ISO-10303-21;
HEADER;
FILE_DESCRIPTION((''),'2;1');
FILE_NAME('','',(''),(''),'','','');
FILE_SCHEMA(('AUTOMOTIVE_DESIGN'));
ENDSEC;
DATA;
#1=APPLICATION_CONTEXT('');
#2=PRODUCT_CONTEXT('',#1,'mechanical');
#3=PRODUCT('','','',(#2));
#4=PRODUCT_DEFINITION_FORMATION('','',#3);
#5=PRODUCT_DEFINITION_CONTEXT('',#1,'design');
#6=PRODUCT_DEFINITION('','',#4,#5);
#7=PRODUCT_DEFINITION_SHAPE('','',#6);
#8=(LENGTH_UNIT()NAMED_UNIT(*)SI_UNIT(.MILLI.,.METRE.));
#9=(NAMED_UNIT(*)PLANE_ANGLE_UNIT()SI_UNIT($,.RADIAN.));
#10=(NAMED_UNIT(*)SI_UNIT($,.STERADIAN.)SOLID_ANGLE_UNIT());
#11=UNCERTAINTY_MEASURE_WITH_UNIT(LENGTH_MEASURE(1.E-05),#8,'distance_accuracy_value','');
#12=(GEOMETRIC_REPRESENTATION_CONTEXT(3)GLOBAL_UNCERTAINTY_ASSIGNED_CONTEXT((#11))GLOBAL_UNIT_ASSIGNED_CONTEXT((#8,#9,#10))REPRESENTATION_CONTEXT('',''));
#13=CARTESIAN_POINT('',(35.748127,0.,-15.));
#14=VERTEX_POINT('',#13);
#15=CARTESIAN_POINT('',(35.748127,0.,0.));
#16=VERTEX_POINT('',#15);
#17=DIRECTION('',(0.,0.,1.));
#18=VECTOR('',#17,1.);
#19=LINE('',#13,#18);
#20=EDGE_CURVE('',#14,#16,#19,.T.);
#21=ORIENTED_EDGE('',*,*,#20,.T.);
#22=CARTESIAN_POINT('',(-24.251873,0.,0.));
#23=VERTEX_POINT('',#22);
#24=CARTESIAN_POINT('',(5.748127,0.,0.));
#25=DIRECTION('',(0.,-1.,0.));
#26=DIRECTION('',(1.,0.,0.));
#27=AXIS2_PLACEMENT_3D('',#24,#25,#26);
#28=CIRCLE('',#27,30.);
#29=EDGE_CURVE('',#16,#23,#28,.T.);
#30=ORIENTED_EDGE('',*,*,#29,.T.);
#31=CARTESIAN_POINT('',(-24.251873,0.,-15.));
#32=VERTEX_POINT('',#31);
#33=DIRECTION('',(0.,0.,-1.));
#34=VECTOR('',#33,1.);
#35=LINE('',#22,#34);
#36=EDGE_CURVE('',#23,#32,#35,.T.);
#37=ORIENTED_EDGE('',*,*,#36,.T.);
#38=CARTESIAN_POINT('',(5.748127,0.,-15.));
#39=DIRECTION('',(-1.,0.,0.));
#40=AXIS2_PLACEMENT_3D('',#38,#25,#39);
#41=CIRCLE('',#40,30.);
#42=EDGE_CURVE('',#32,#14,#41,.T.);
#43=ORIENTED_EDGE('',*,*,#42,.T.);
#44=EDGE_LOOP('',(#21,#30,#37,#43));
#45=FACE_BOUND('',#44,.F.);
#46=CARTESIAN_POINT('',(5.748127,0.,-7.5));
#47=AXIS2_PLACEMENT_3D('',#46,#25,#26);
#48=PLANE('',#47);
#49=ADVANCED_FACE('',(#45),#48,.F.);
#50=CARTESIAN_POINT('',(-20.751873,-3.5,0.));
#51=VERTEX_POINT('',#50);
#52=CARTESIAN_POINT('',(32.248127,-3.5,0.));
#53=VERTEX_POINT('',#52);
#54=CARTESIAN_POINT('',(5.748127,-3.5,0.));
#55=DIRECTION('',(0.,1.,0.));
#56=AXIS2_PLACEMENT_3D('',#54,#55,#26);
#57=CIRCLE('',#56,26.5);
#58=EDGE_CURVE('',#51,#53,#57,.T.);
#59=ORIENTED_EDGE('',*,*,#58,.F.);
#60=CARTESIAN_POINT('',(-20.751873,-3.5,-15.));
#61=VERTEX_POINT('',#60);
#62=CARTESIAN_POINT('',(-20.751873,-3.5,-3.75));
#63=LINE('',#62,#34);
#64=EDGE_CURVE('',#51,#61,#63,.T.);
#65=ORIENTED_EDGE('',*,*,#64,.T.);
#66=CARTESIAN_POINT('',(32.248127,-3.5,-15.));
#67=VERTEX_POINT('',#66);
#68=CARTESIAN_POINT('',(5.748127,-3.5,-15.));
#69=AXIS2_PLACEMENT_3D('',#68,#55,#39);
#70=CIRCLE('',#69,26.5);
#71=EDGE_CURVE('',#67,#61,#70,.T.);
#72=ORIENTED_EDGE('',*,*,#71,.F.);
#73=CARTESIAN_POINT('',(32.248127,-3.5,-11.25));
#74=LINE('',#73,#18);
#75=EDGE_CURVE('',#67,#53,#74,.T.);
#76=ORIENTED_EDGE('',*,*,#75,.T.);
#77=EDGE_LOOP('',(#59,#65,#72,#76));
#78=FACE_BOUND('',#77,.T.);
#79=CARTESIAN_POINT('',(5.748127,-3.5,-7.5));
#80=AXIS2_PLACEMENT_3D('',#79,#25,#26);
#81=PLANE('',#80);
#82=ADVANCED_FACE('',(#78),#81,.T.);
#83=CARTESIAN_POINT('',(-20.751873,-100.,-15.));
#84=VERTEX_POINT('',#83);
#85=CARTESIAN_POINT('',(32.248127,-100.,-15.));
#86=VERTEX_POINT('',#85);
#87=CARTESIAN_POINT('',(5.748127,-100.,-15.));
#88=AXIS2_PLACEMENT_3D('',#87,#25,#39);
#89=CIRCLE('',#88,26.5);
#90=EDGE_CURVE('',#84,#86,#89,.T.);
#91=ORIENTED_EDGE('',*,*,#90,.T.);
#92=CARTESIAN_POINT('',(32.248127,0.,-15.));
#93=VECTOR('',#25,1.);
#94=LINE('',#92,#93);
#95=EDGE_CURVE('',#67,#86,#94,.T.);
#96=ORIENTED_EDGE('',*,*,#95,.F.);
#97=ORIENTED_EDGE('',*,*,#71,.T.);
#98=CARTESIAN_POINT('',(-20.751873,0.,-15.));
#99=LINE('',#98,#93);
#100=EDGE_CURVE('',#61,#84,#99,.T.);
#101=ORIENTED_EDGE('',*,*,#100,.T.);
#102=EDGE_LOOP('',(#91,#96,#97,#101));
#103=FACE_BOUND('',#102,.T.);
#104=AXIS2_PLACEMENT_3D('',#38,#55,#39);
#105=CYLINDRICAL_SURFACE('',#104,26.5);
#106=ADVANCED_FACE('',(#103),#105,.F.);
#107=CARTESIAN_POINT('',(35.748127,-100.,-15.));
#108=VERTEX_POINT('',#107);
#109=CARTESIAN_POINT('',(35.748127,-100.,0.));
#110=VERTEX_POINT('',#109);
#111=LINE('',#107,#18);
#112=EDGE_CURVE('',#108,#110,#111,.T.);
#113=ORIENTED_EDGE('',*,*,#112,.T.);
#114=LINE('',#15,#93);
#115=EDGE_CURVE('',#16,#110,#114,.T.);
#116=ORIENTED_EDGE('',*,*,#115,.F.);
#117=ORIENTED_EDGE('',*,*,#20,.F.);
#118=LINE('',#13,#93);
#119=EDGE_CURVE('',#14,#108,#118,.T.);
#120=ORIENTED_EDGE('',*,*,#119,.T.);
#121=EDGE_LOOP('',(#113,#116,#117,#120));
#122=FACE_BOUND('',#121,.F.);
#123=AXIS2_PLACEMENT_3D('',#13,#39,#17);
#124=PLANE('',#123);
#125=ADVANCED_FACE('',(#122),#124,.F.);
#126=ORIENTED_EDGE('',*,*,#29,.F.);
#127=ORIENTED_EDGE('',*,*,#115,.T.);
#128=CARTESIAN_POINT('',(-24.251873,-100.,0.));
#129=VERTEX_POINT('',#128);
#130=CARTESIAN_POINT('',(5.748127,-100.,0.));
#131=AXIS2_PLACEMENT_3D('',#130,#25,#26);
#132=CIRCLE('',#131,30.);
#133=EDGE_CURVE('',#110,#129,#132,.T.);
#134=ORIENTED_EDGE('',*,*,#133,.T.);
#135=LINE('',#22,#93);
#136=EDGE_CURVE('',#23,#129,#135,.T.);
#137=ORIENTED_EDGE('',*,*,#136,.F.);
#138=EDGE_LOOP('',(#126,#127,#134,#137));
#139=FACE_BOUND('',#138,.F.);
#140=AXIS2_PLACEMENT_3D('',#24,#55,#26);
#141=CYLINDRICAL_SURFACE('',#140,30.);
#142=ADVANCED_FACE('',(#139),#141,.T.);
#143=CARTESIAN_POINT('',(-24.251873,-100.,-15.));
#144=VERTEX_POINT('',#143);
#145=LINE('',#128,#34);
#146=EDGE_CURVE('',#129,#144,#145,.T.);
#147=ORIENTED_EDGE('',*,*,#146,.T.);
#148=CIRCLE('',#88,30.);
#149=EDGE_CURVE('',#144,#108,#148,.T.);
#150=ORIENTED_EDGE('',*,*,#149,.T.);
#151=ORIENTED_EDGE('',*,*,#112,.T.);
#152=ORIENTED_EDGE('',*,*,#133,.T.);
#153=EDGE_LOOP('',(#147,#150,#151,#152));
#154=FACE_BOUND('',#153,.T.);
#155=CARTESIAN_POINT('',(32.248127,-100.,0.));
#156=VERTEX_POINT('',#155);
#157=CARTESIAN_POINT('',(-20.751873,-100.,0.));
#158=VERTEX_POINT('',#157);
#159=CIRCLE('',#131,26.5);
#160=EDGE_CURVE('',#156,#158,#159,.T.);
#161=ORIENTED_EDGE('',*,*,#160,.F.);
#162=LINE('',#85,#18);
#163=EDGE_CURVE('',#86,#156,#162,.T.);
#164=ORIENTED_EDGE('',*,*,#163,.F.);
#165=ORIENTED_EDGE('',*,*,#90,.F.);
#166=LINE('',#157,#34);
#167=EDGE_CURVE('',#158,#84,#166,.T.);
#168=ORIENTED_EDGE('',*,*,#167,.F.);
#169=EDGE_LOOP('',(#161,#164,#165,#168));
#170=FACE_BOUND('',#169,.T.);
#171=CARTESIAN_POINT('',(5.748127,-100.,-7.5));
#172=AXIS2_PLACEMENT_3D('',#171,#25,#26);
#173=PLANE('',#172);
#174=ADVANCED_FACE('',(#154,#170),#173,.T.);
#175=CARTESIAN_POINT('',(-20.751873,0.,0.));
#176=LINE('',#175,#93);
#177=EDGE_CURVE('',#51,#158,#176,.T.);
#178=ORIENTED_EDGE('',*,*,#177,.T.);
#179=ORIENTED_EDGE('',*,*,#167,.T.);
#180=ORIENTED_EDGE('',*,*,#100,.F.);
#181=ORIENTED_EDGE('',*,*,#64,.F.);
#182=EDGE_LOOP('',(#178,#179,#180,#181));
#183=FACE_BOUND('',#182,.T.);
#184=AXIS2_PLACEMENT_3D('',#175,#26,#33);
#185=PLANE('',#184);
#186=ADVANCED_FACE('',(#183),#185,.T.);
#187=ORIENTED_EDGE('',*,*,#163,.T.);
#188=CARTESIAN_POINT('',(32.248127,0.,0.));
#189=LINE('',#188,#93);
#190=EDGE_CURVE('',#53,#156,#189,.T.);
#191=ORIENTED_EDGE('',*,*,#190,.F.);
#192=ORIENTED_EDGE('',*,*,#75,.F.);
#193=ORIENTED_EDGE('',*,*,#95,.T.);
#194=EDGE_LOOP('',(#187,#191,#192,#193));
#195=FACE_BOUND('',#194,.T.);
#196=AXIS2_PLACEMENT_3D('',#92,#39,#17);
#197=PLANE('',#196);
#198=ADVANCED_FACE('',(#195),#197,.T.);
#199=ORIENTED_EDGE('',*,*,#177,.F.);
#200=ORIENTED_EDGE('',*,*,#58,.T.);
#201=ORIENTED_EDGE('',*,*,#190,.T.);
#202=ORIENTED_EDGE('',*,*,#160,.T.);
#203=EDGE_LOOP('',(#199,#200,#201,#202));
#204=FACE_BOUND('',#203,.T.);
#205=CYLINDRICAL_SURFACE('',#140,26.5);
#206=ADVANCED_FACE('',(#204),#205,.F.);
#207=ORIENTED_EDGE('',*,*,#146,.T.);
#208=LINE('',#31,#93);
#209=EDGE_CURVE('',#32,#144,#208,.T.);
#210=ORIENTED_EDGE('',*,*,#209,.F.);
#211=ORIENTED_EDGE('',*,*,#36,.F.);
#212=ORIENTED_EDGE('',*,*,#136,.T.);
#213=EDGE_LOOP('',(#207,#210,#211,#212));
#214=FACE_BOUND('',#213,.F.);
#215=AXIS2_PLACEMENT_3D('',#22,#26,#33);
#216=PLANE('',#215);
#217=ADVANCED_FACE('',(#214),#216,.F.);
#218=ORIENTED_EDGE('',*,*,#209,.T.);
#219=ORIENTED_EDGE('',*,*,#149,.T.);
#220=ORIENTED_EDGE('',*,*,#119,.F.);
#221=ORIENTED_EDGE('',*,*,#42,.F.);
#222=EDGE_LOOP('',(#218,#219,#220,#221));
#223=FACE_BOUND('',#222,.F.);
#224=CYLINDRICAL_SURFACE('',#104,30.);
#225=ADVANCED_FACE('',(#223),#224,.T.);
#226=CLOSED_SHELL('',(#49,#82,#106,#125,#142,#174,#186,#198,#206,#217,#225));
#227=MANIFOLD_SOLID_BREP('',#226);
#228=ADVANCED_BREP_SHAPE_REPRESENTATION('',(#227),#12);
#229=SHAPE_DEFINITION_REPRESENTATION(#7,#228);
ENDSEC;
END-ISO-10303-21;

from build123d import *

# Parameters (mm, degrees)
F1_DEPTH = 100
F2_T     = -3.5


with BuildPart() as f1:
    # F0 (on Front) → F1 (new body)
    with BuildSketch(Plane.XZ):
        with BuildLine():
            Line((35.748127, -15), (35.748127, 0))
            ThreePointArc((35.748127, 0), (5.748127, 30), (-24.251873, 0))
            Line((-24.251873, 0), (-24.251873, -15))
            ThreePointArc((-24.251873, -15), (5.748127, -45), (35.748127, -15))
        make_face()
    extrude(amount=F1_DEPTH)

    # F2
    f2_openings = [f1.faces().sort_by_distance(p)[0] for p in [
        (5.748127, -100, -7.5),
    ]]
    offset(amount=F2_T, openings=f2_openings)


solid = f1.part
